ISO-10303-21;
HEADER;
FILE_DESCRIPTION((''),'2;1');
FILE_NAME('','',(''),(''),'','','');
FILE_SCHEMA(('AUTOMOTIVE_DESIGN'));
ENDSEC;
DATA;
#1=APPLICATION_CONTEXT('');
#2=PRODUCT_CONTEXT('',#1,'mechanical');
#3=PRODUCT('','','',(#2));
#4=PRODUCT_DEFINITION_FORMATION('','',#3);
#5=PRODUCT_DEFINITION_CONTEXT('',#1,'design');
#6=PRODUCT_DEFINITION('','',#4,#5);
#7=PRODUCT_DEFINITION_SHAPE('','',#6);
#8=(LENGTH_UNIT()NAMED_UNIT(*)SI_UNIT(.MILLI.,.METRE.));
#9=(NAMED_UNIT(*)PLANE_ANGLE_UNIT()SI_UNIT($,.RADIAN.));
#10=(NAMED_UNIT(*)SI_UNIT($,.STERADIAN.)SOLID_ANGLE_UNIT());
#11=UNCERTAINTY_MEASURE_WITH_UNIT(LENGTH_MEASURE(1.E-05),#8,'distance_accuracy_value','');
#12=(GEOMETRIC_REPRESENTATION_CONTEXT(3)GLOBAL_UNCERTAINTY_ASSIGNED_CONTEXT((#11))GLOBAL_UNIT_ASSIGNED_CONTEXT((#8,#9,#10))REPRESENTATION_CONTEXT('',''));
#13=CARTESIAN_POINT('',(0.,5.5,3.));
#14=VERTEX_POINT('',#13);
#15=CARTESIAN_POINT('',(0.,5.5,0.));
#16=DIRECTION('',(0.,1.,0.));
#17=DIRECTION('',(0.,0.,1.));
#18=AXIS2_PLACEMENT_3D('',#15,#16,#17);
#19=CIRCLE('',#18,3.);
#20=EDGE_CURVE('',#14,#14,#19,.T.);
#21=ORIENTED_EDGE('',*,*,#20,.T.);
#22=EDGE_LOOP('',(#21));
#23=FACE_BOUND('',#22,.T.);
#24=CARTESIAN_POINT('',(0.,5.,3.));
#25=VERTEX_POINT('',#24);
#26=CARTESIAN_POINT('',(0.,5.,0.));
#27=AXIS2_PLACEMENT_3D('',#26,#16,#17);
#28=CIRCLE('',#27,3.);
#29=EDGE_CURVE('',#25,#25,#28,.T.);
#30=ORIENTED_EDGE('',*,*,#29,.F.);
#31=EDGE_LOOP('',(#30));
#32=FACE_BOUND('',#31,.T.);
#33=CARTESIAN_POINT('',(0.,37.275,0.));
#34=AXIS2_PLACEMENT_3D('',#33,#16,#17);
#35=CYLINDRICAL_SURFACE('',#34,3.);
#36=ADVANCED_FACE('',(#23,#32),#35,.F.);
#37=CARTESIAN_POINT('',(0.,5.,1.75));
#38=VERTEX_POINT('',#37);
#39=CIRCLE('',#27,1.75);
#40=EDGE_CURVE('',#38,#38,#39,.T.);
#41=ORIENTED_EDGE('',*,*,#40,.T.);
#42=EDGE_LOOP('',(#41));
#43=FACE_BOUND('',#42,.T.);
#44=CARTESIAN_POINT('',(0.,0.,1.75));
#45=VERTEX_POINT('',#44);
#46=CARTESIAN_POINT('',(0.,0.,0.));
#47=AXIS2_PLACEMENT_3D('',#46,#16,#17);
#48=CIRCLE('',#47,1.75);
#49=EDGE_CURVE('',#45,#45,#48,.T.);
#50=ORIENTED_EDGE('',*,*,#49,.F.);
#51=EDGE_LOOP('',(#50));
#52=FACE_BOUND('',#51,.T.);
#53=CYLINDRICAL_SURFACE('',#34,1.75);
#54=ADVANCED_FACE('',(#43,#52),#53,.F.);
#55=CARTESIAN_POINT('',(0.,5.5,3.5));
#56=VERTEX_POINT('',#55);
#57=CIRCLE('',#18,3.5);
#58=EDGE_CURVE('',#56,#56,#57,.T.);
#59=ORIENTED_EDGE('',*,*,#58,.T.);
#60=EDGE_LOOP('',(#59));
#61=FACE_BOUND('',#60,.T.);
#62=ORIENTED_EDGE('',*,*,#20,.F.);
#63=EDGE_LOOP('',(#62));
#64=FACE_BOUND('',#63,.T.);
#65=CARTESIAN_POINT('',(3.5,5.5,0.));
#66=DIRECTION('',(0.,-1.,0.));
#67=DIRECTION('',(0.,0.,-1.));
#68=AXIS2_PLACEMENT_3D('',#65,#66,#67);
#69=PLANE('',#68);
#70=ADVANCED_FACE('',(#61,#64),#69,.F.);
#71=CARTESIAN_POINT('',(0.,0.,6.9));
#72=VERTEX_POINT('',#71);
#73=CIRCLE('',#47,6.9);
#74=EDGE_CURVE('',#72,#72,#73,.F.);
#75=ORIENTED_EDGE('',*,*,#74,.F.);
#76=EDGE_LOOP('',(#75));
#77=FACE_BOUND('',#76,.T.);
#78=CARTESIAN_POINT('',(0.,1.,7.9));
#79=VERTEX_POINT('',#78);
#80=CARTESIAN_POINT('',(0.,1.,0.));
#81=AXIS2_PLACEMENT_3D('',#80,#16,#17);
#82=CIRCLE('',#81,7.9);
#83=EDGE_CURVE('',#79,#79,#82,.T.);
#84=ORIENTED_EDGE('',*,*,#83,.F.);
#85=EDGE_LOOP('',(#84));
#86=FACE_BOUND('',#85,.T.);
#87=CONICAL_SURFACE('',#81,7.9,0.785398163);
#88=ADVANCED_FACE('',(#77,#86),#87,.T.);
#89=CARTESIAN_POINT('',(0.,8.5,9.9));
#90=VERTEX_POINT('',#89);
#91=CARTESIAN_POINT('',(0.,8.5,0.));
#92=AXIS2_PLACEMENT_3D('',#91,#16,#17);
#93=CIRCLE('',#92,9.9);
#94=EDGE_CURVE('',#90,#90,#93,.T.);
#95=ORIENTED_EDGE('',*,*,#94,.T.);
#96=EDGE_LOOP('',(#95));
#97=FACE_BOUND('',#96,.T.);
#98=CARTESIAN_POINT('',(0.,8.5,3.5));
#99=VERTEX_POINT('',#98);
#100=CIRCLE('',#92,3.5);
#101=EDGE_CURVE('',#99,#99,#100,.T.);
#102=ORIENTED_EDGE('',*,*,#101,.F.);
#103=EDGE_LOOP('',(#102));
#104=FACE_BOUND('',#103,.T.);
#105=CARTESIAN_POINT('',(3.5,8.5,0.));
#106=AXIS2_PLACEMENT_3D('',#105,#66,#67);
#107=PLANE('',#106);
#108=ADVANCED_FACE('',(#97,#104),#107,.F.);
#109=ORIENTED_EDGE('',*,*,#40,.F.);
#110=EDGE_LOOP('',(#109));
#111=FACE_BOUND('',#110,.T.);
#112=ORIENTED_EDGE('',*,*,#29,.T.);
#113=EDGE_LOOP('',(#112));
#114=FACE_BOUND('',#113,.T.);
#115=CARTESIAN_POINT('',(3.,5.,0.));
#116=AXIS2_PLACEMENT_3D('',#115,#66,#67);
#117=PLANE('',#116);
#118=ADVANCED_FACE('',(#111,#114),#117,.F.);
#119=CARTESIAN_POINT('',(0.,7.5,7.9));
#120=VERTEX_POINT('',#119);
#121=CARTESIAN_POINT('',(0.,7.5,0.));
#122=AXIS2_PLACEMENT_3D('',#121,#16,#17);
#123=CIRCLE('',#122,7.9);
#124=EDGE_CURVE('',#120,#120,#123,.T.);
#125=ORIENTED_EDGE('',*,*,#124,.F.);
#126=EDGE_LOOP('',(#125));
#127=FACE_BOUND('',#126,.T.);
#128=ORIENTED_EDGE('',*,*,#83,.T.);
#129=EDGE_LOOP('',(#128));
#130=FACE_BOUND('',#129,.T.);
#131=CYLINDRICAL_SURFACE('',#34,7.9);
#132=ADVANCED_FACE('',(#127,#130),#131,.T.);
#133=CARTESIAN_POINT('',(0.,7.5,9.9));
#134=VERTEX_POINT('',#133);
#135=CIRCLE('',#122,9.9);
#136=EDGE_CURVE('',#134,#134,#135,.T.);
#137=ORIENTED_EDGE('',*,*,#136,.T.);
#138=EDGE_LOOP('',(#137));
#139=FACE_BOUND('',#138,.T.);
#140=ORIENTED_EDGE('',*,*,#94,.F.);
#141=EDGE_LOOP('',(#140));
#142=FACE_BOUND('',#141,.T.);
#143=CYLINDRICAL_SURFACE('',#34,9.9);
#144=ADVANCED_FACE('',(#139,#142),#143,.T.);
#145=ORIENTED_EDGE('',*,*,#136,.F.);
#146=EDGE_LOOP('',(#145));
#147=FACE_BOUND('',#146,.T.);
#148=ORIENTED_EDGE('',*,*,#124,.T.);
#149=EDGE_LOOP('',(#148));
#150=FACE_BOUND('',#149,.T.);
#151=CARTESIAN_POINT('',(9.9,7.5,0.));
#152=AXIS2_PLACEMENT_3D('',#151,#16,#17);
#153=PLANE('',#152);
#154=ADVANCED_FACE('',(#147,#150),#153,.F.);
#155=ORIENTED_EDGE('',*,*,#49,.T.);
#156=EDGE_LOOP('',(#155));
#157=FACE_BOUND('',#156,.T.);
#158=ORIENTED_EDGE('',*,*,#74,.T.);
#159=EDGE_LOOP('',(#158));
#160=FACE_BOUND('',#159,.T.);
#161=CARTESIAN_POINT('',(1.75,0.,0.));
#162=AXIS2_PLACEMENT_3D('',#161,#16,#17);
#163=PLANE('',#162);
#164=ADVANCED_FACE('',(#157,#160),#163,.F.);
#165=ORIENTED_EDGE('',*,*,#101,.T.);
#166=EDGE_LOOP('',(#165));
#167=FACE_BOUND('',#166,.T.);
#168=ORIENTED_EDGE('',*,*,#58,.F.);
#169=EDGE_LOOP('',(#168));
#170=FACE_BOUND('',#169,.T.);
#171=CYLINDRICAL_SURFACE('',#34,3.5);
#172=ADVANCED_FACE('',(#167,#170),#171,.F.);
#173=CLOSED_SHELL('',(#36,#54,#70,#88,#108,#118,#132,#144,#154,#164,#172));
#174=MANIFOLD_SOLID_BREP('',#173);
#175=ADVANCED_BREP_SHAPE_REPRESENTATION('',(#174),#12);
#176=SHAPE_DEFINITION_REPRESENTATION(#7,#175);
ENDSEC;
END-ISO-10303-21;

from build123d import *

# Parameters (mm, degrees)
CHAMFER1_SIZE = 1


with BuildPart() as part:
    # Sketch1 → Revolve1 (revolve)
    with BuildSketch(Plane.XY, mode=Mode.PRIVATE) as revolve1_sk:
        Polygon((1.75, 0), (7.9, 0), (7.9, 7.5), (9.9, 7.5), (9.9, 8.5), (3.5, 8.5), (3.5, 5.5), (3, 5.5), (3, 5), (1.75, 5), align=None)
    revolve(revolve1_sk.sketch.rotate(Axis((0, 37.275, 0), (0, -1, 0)), 90), axis=Axis((0, 37.275, 0), (0, -1, 0)))

    # Chamfer1
    chamfer1_edges = [part.edges().sort_by_distance(p)[0] for p in [
        (0, 0, -7.9),
    ]]
    chamfer(chamfer1_edges, length=CHAMFER1_SIZE)


solid = part.part
